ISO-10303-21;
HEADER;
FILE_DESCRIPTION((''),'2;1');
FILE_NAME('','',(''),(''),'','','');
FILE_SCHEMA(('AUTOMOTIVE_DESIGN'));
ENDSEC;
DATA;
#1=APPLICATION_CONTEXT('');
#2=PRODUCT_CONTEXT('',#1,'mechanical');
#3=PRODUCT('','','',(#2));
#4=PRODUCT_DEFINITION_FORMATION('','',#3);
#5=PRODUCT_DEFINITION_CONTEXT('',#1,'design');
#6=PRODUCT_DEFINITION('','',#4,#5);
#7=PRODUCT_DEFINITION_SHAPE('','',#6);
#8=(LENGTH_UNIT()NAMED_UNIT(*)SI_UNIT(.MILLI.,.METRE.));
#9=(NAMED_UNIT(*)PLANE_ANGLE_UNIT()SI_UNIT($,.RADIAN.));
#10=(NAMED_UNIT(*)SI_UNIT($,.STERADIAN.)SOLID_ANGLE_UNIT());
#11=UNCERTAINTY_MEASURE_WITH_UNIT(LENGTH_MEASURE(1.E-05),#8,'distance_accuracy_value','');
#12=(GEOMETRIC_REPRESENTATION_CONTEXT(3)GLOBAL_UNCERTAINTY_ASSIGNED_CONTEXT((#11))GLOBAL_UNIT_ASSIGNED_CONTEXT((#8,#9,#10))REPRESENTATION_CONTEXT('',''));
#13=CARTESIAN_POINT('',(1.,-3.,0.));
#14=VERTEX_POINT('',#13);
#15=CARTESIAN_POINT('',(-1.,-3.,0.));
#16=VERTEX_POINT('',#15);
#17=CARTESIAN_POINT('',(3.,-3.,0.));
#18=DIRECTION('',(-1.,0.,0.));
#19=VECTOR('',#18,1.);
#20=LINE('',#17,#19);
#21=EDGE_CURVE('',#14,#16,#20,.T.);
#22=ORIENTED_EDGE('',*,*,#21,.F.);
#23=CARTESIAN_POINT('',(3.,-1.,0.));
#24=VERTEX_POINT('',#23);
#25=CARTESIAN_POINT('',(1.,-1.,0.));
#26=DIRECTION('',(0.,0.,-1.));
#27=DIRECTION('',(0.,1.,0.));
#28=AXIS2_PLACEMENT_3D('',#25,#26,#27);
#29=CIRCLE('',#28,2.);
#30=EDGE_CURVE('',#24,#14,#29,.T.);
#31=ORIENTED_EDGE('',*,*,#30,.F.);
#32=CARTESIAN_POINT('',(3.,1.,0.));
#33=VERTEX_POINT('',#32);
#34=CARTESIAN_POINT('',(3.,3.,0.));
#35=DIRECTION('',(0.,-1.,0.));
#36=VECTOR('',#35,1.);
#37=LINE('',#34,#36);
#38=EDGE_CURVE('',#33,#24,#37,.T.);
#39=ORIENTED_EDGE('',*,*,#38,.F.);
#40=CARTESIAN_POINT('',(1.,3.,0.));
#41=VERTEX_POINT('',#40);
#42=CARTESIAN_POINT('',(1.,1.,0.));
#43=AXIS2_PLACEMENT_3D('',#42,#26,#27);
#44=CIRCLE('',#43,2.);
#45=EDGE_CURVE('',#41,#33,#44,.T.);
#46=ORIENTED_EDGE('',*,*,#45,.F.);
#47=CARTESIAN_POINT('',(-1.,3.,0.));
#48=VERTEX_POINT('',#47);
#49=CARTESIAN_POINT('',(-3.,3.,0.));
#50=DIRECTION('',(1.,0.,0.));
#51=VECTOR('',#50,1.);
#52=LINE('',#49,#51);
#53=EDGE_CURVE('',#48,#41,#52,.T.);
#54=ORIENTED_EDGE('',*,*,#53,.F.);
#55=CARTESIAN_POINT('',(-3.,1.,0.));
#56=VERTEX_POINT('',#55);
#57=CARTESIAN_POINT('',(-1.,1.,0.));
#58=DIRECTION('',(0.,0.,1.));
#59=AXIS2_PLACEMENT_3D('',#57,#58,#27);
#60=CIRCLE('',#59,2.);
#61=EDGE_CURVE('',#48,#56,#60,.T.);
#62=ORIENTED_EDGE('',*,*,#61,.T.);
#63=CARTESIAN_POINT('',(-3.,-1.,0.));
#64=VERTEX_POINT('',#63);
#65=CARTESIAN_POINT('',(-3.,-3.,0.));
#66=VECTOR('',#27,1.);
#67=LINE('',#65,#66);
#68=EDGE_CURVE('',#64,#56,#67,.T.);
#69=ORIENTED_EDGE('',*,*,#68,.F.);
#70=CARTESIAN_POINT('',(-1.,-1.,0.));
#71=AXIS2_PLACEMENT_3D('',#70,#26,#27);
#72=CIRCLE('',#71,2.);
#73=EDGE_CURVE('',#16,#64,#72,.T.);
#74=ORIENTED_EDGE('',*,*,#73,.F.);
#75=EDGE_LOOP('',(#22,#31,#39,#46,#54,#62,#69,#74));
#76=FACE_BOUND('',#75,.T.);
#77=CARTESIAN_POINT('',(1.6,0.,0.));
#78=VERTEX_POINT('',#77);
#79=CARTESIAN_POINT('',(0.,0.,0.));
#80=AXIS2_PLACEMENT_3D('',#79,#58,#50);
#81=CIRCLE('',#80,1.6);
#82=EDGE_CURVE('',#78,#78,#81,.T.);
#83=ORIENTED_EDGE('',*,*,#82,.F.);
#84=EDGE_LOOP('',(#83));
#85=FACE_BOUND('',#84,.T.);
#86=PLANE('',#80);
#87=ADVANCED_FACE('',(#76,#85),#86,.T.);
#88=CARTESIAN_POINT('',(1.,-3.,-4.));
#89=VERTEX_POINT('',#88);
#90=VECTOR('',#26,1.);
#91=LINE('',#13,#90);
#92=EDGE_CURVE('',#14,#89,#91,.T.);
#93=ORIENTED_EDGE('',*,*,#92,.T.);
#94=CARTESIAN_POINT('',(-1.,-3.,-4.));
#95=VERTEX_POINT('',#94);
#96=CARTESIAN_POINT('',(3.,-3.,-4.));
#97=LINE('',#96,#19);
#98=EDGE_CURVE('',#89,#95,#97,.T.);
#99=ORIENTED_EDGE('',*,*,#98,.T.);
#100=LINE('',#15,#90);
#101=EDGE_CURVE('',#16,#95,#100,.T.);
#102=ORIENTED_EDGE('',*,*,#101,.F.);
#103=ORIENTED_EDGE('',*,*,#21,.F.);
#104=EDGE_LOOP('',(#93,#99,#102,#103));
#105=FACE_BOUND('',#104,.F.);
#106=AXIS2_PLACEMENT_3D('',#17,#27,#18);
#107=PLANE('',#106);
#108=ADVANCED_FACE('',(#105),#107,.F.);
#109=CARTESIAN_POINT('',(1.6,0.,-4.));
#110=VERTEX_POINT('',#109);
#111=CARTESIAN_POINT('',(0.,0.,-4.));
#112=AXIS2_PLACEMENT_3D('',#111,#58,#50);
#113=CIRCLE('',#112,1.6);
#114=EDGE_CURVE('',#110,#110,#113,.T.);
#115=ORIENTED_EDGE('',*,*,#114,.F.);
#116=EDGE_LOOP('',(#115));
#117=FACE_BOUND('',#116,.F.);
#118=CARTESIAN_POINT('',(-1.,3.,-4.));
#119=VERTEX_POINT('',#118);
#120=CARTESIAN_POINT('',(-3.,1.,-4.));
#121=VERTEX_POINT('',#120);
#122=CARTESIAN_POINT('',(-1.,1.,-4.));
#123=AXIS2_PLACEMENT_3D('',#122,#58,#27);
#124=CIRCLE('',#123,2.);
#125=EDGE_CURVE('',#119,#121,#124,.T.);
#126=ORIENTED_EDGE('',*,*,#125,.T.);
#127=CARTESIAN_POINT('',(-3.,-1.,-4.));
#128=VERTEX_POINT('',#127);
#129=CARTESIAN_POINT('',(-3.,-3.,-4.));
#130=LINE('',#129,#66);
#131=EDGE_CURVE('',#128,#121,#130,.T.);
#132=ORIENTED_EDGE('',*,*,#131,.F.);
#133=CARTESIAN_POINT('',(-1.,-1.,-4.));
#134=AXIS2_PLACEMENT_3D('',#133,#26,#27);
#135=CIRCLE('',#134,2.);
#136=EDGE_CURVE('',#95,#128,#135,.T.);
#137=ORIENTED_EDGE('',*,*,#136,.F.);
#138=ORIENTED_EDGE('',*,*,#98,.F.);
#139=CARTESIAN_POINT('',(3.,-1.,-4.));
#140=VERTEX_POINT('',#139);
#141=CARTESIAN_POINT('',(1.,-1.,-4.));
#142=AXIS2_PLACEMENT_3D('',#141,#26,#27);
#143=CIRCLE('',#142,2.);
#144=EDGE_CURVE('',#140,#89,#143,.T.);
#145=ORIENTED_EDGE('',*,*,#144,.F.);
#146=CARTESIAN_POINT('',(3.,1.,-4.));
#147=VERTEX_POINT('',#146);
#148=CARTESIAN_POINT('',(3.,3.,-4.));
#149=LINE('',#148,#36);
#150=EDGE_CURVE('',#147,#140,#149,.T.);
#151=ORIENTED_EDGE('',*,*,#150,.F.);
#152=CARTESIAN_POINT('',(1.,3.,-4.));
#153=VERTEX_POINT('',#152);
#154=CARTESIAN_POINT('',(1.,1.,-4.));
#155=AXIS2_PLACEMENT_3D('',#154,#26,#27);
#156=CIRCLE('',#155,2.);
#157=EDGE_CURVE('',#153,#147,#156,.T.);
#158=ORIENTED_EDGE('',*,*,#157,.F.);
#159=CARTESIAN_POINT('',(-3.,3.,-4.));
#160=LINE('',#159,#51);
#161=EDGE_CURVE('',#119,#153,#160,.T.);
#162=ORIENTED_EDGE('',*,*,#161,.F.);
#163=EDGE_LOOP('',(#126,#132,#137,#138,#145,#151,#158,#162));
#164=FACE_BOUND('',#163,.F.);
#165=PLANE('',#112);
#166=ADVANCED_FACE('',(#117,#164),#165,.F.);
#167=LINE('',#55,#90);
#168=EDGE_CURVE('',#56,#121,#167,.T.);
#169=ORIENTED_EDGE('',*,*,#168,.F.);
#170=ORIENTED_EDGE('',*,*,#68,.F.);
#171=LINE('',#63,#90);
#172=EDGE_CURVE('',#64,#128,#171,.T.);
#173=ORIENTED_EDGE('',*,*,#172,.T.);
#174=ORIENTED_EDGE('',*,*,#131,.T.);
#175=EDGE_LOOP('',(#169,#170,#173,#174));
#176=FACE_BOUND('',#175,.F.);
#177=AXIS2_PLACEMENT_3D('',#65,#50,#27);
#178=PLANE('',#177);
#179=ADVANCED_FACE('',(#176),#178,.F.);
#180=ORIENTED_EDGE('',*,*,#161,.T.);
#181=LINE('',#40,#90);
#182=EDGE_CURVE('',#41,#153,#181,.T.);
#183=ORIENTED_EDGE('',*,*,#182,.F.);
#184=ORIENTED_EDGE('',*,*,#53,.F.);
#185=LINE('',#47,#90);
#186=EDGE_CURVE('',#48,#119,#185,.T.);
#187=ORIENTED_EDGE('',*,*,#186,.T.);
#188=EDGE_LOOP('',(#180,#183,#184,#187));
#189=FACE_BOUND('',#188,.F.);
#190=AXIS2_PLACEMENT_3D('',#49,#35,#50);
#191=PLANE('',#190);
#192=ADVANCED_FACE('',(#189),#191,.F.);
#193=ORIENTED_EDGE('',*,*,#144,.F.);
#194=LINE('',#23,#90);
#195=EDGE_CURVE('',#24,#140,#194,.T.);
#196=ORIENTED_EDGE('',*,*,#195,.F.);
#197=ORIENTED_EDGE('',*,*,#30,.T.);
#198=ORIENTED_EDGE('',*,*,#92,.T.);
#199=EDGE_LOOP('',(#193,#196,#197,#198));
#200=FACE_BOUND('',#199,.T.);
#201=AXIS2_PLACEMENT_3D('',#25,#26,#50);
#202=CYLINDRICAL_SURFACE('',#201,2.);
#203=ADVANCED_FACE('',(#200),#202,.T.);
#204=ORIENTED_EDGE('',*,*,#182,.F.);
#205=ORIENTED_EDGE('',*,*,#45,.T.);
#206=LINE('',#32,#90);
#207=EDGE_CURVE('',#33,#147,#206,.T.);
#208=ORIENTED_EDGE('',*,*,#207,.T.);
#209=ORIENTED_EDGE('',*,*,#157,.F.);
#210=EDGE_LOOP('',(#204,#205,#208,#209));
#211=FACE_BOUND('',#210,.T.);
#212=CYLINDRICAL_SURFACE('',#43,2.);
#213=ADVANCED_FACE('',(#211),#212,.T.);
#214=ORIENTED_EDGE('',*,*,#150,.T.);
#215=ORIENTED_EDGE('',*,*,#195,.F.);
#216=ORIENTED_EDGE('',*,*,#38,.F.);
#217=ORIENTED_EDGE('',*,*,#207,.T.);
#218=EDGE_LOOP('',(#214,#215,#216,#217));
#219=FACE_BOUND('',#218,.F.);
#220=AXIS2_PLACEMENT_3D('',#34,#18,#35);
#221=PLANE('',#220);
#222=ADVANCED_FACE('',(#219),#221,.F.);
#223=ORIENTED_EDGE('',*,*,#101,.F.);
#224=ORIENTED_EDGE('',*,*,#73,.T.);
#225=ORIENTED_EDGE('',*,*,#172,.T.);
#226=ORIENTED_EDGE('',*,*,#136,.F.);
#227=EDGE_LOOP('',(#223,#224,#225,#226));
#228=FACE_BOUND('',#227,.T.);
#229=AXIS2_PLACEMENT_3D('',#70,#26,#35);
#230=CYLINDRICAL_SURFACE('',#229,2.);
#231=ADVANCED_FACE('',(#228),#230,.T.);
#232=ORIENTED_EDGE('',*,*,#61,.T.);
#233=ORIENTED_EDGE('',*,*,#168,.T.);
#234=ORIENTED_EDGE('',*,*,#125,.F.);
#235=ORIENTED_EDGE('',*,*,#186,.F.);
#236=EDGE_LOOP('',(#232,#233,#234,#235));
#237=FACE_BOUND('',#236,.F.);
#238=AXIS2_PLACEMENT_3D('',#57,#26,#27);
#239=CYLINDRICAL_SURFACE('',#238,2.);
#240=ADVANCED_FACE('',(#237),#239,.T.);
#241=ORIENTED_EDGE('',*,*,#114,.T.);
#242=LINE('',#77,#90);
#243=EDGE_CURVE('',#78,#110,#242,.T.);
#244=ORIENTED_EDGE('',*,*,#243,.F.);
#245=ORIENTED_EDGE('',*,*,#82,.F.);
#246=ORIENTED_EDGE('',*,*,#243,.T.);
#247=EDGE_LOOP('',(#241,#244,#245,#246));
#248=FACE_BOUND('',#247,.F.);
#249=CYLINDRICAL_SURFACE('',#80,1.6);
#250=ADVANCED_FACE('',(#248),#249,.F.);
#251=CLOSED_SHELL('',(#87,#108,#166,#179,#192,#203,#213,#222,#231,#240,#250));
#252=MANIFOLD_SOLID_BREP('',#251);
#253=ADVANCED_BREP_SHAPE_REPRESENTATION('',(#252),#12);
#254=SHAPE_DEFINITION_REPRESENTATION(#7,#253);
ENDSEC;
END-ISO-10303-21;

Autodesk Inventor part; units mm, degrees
ref_plane "YZ Plane" through (0, 0, 0) normal (1, 0, 0) x (0, 1, 0)
ref_plane "XZ Plane" through (0, 0, 0) normal (0, 1, 0) x (-1, 0, 0)
ref_plane "XY Plane" through (0, 0, 0) normal (0, 0, 1) x (1, 0, 0)
sketch "Boceto1" plane through (0, 0, 0) normal (0, 0, 1) x (1, 0, 0)
  circle A0 centre (0, 0) radius 1.4 construction
  circle A1 centre (0, 0) radius 1.6
  line L0 (-3, 3) -> (3, 3)
  line L1 (3, 3) -> (3, -3)
  line L2 (3, -3) -> (-3, -3)
  line L3 (-3, -3) -> (-3, 3)
  line L4 (-3, 3) -> (3, -3) construction
  line L5 (3, 3) -> (-3, -3) construction
  point P0 (0, 0)
  point P1 (0, -3)
  dimension "d0" = 0.2
  dimension "d1" = 3
  dimension "d2" = 3
extrude "Extrusión1" add sketch "Boceto1" against normal blind 4
fillet "Empalme1" radius 2 4 edges at (3, -3, -2) (-3, -3, -2) (-3, 3, -2) (3, 3, -2)
properties part number "TapónEje"
